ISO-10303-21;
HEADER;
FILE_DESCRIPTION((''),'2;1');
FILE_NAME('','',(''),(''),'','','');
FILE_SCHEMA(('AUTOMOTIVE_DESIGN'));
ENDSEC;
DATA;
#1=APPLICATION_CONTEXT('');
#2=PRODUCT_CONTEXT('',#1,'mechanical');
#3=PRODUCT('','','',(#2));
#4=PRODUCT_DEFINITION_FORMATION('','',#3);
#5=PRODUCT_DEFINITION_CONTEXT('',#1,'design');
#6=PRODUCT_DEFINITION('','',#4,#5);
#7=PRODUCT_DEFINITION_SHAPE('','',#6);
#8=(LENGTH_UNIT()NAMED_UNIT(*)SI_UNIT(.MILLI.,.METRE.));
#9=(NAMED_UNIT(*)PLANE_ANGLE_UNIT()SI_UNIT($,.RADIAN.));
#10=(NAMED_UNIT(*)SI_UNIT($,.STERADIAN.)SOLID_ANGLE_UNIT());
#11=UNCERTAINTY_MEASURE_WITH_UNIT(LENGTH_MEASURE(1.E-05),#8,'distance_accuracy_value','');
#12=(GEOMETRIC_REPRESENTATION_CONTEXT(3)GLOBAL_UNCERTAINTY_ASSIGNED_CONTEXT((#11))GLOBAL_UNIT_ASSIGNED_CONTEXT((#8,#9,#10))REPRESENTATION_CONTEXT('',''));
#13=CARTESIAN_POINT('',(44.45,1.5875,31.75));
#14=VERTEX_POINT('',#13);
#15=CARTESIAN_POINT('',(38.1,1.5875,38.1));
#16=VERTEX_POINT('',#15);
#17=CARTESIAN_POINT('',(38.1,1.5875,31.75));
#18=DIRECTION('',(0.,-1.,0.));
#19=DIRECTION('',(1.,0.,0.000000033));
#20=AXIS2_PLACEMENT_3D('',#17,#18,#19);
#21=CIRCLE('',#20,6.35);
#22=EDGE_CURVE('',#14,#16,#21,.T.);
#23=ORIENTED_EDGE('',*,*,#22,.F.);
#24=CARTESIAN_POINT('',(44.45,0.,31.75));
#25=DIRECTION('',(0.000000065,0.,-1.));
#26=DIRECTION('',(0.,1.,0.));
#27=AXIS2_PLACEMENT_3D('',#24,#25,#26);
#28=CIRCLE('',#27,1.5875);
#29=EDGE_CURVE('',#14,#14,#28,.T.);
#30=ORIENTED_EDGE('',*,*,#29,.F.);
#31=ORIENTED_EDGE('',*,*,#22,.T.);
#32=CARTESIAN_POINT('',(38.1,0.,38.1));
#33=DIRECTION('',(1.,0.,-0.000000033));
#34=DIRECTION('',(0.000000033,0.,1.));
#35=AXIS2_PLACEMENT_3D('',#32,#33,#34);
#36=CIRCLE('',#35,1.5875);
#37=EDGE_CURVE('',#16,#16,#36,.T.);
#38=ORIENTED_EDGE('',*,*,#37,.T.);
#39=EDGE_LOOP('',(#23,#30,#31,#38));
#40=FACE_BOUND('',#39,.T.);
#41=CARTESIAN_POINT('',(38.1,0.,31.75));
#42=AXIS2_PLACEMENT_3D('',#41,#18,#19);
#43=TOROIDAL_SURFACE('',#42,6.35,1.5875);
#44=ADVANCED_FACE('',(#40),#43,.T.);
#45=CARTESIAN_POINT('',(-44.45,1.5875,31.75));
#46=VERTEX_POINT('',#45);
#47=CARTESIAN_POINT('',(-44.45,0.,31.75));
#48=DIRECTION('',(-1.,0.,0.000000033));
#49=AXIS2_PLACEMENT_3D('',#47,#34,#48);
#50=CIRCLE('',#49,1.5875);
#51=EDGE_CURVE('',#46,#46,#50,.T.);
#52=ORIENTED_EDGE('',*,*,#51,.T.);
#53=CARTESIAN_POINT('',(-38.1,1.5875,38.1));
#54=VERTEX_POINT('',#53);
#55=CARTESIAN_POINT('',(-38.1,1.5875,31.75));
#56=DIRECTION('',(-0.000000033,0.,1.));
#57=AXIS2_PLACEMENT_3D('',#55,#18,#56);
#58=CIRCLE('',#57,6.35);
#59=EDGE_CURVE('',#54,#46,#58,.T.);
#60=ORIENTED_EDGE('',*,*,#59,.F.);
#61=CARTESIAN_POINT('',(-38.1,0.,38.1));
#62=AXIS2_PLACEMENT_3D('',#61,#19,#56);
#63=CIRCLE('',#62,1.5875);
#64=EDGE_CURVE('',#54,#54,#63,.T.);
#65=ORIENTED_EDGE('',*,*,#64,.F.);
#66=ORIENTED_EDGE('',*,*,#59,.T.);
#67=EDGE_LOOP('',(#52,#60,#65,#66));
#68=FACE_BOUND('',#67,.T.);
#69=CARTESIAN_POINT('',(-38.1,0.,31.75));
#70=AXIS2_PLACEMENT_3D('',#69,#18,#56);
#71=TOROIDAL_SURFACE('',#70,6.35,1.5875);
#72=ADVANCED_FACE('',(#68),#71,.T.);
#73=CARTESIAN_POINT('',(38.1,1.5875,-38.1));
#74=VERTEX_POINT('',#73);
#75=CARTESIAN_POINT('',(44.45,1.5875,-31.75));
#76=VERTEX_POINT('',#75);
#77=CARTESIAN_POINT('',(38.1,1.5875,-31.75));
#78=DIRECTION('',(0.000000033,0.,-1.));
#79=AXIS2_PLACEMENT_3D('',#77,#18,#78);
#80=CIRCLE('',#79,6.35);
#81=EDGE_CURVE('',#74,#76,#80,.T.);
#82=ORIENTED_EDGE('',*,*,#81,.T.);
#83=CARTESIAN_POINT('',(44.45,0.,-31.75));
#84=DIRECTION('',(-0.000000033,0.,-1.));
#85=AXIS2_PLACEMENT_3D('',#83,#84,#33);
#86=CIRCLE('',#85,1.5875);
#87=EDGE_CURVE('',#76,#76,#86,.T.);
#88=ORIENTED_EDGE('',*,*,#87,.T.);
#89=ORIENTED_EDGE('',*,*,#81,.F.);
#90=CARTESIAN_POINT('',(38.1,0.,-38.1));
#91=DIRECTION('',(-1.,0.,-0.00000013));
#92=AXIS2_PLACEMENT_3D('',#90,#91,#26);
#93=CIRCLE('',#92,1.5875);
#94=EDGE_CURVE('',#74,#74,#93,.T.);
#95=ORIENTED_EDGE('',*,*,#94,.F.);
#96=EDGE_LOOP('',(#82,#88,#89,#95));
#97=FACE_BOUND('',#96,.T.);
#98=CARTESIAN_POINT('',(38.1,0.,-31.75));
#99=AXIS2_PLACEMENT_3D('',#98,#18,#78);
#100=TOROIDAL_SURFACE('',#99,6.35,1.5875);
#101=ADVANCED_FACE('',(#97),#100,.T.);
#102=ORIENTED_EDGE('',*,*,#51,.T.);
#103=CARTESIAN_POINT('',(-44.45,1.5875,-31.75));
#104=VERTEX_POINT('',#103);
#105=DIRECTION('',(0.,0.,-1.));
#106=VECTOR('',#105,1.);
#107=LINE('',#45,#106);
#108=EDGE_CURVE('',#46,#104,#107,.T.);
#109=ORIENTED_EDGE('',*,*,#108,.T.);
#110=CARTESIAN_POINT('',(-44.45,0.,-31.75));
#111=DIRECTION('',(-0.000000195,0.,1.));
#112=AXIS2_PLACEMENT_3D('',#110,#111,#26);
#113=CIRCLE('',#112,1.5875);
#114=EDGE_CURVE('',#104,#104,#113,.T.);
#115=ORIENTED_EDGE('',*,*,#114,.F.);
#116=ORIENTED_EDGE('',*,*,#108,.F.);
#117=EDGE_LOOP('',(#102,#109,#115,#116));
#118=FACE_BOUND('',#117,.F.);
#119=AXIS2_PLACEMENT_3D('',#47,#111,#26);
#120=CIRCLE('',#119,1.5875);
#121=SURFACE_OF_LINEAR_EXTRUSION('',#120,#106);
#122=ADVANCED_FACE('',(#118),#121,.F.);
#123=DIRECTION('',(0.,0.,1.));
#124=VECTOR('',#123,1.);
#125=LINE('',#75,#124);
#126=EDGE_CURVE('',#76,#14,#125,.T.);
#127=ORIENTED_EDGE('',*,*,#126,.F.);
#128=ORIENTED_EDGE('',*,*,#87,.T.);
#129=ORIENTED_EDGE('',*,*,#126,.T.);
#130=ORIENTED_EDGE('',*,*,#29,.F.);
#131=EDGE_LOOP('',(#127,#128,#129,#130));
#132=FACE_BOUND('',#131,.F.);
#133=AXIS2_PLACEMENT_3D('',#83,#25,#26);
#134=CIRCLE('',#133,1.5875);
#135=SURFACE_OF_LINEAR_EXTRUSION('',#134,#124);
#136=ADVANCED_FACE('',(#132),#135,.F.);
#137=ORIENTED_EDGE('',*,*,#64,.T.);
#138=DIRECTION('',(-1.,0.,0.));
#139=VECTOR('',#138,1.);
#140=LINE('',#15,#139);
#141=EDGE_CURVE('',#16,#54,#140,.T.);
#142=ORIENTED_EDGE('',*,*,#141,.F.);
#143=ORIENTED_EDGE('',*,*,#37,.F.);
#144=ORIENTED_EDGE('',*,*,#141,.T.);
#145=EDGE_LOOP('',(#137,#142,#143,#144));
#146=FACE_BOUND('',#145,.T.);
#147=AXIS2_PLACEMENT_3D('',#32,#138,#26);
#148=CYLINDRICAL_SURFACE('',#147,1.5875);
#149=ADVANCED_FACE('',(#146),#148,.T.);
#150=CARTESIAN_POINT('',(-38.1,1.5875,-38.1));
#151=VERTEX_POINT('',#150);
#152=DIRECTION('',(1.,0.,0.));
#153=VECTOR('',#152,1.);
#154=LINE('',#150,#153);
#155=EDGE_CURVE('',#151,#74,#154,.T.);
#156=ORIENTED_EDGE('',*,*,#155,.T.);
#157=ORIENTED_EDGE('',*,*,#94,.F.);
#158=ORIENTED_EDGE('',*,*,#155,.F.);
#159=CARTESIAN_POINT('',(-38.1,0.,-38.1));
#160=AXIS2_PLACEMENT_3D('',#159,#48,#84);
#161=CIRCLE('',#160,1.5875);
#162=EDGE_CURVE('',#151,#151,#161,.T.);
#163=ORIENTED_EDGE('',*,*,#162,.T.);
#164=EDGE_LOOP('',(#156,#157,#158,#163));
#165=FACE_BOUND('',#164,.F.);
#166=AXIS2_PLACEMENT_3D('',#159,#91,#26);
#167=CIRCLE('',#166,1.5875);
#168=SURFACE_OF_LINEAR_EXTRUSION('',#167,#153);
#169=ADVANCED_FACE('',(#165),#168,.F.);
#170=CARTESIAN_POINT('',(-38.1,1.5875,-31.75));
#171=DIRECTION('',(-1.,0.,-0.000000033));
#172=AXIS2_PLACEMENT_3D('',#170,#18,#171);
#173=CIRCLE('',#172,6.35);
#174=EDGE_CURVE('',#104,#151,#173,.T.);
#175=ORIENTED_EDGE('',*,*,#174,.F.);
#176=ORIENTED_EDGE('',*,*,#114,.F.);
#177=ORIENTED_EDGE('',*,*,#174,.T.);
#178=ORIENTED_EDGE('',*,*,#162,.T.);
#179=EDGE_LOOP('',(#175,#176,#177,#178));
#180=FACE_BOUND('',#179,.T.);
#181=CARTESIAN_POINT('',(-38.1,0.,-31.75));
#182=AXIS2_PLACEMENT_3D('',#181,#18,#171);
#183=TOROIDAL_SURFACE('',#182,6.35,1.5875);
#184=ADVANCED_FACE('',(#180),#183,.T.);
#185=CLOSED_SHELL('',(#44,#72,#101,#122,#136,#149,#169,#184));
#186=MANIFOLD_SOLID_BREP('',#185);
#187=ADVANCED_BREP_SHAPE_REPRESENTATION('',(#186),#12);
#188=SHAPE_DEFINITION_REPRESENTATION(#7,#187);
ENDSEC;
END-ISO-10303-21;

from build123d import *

# Parameters (mm, degrees)
F1_R = 1.5875


with BuildPart() as f2:
    # F2: sweep along a path in F0
    with BuildLine(Plane.XZ) as f2_path:
        Line((0, 38.1), (-38.1, 38.1))
        ThreePointArc((-38.1, 38.1), (-42.590128, 36.240128), (-44.45, 31.75))
        Line((-44.45, 31.75), (-44.45, -31.75))
        ThreePointArc((-44.45, -31.75), (-42.590128, -36.240128), (-38.1, -38.1))
        Line((-38.1, -38.1), (38.1, -38.1))
        ThreePointArc((38.1, -38.1), (42.590128, -36.240128), (44.45, -31.75))
        Line((44.45, -31.75), (44.45, 31.75))
        ThreePointArc((44.45, 31.75), (42.590128, 36.240128), (38.1, 38.1))
        Line((38.1, 38.1), (0, 38.1))
    # F1 (on Right) → F2 (sweep)
    with BuildSketch(Plane.YZ):
        with Locations((0, 38.1)):
            Circle(F1_R)
    sweep(path=f2_path.line)


solid = f2.part
